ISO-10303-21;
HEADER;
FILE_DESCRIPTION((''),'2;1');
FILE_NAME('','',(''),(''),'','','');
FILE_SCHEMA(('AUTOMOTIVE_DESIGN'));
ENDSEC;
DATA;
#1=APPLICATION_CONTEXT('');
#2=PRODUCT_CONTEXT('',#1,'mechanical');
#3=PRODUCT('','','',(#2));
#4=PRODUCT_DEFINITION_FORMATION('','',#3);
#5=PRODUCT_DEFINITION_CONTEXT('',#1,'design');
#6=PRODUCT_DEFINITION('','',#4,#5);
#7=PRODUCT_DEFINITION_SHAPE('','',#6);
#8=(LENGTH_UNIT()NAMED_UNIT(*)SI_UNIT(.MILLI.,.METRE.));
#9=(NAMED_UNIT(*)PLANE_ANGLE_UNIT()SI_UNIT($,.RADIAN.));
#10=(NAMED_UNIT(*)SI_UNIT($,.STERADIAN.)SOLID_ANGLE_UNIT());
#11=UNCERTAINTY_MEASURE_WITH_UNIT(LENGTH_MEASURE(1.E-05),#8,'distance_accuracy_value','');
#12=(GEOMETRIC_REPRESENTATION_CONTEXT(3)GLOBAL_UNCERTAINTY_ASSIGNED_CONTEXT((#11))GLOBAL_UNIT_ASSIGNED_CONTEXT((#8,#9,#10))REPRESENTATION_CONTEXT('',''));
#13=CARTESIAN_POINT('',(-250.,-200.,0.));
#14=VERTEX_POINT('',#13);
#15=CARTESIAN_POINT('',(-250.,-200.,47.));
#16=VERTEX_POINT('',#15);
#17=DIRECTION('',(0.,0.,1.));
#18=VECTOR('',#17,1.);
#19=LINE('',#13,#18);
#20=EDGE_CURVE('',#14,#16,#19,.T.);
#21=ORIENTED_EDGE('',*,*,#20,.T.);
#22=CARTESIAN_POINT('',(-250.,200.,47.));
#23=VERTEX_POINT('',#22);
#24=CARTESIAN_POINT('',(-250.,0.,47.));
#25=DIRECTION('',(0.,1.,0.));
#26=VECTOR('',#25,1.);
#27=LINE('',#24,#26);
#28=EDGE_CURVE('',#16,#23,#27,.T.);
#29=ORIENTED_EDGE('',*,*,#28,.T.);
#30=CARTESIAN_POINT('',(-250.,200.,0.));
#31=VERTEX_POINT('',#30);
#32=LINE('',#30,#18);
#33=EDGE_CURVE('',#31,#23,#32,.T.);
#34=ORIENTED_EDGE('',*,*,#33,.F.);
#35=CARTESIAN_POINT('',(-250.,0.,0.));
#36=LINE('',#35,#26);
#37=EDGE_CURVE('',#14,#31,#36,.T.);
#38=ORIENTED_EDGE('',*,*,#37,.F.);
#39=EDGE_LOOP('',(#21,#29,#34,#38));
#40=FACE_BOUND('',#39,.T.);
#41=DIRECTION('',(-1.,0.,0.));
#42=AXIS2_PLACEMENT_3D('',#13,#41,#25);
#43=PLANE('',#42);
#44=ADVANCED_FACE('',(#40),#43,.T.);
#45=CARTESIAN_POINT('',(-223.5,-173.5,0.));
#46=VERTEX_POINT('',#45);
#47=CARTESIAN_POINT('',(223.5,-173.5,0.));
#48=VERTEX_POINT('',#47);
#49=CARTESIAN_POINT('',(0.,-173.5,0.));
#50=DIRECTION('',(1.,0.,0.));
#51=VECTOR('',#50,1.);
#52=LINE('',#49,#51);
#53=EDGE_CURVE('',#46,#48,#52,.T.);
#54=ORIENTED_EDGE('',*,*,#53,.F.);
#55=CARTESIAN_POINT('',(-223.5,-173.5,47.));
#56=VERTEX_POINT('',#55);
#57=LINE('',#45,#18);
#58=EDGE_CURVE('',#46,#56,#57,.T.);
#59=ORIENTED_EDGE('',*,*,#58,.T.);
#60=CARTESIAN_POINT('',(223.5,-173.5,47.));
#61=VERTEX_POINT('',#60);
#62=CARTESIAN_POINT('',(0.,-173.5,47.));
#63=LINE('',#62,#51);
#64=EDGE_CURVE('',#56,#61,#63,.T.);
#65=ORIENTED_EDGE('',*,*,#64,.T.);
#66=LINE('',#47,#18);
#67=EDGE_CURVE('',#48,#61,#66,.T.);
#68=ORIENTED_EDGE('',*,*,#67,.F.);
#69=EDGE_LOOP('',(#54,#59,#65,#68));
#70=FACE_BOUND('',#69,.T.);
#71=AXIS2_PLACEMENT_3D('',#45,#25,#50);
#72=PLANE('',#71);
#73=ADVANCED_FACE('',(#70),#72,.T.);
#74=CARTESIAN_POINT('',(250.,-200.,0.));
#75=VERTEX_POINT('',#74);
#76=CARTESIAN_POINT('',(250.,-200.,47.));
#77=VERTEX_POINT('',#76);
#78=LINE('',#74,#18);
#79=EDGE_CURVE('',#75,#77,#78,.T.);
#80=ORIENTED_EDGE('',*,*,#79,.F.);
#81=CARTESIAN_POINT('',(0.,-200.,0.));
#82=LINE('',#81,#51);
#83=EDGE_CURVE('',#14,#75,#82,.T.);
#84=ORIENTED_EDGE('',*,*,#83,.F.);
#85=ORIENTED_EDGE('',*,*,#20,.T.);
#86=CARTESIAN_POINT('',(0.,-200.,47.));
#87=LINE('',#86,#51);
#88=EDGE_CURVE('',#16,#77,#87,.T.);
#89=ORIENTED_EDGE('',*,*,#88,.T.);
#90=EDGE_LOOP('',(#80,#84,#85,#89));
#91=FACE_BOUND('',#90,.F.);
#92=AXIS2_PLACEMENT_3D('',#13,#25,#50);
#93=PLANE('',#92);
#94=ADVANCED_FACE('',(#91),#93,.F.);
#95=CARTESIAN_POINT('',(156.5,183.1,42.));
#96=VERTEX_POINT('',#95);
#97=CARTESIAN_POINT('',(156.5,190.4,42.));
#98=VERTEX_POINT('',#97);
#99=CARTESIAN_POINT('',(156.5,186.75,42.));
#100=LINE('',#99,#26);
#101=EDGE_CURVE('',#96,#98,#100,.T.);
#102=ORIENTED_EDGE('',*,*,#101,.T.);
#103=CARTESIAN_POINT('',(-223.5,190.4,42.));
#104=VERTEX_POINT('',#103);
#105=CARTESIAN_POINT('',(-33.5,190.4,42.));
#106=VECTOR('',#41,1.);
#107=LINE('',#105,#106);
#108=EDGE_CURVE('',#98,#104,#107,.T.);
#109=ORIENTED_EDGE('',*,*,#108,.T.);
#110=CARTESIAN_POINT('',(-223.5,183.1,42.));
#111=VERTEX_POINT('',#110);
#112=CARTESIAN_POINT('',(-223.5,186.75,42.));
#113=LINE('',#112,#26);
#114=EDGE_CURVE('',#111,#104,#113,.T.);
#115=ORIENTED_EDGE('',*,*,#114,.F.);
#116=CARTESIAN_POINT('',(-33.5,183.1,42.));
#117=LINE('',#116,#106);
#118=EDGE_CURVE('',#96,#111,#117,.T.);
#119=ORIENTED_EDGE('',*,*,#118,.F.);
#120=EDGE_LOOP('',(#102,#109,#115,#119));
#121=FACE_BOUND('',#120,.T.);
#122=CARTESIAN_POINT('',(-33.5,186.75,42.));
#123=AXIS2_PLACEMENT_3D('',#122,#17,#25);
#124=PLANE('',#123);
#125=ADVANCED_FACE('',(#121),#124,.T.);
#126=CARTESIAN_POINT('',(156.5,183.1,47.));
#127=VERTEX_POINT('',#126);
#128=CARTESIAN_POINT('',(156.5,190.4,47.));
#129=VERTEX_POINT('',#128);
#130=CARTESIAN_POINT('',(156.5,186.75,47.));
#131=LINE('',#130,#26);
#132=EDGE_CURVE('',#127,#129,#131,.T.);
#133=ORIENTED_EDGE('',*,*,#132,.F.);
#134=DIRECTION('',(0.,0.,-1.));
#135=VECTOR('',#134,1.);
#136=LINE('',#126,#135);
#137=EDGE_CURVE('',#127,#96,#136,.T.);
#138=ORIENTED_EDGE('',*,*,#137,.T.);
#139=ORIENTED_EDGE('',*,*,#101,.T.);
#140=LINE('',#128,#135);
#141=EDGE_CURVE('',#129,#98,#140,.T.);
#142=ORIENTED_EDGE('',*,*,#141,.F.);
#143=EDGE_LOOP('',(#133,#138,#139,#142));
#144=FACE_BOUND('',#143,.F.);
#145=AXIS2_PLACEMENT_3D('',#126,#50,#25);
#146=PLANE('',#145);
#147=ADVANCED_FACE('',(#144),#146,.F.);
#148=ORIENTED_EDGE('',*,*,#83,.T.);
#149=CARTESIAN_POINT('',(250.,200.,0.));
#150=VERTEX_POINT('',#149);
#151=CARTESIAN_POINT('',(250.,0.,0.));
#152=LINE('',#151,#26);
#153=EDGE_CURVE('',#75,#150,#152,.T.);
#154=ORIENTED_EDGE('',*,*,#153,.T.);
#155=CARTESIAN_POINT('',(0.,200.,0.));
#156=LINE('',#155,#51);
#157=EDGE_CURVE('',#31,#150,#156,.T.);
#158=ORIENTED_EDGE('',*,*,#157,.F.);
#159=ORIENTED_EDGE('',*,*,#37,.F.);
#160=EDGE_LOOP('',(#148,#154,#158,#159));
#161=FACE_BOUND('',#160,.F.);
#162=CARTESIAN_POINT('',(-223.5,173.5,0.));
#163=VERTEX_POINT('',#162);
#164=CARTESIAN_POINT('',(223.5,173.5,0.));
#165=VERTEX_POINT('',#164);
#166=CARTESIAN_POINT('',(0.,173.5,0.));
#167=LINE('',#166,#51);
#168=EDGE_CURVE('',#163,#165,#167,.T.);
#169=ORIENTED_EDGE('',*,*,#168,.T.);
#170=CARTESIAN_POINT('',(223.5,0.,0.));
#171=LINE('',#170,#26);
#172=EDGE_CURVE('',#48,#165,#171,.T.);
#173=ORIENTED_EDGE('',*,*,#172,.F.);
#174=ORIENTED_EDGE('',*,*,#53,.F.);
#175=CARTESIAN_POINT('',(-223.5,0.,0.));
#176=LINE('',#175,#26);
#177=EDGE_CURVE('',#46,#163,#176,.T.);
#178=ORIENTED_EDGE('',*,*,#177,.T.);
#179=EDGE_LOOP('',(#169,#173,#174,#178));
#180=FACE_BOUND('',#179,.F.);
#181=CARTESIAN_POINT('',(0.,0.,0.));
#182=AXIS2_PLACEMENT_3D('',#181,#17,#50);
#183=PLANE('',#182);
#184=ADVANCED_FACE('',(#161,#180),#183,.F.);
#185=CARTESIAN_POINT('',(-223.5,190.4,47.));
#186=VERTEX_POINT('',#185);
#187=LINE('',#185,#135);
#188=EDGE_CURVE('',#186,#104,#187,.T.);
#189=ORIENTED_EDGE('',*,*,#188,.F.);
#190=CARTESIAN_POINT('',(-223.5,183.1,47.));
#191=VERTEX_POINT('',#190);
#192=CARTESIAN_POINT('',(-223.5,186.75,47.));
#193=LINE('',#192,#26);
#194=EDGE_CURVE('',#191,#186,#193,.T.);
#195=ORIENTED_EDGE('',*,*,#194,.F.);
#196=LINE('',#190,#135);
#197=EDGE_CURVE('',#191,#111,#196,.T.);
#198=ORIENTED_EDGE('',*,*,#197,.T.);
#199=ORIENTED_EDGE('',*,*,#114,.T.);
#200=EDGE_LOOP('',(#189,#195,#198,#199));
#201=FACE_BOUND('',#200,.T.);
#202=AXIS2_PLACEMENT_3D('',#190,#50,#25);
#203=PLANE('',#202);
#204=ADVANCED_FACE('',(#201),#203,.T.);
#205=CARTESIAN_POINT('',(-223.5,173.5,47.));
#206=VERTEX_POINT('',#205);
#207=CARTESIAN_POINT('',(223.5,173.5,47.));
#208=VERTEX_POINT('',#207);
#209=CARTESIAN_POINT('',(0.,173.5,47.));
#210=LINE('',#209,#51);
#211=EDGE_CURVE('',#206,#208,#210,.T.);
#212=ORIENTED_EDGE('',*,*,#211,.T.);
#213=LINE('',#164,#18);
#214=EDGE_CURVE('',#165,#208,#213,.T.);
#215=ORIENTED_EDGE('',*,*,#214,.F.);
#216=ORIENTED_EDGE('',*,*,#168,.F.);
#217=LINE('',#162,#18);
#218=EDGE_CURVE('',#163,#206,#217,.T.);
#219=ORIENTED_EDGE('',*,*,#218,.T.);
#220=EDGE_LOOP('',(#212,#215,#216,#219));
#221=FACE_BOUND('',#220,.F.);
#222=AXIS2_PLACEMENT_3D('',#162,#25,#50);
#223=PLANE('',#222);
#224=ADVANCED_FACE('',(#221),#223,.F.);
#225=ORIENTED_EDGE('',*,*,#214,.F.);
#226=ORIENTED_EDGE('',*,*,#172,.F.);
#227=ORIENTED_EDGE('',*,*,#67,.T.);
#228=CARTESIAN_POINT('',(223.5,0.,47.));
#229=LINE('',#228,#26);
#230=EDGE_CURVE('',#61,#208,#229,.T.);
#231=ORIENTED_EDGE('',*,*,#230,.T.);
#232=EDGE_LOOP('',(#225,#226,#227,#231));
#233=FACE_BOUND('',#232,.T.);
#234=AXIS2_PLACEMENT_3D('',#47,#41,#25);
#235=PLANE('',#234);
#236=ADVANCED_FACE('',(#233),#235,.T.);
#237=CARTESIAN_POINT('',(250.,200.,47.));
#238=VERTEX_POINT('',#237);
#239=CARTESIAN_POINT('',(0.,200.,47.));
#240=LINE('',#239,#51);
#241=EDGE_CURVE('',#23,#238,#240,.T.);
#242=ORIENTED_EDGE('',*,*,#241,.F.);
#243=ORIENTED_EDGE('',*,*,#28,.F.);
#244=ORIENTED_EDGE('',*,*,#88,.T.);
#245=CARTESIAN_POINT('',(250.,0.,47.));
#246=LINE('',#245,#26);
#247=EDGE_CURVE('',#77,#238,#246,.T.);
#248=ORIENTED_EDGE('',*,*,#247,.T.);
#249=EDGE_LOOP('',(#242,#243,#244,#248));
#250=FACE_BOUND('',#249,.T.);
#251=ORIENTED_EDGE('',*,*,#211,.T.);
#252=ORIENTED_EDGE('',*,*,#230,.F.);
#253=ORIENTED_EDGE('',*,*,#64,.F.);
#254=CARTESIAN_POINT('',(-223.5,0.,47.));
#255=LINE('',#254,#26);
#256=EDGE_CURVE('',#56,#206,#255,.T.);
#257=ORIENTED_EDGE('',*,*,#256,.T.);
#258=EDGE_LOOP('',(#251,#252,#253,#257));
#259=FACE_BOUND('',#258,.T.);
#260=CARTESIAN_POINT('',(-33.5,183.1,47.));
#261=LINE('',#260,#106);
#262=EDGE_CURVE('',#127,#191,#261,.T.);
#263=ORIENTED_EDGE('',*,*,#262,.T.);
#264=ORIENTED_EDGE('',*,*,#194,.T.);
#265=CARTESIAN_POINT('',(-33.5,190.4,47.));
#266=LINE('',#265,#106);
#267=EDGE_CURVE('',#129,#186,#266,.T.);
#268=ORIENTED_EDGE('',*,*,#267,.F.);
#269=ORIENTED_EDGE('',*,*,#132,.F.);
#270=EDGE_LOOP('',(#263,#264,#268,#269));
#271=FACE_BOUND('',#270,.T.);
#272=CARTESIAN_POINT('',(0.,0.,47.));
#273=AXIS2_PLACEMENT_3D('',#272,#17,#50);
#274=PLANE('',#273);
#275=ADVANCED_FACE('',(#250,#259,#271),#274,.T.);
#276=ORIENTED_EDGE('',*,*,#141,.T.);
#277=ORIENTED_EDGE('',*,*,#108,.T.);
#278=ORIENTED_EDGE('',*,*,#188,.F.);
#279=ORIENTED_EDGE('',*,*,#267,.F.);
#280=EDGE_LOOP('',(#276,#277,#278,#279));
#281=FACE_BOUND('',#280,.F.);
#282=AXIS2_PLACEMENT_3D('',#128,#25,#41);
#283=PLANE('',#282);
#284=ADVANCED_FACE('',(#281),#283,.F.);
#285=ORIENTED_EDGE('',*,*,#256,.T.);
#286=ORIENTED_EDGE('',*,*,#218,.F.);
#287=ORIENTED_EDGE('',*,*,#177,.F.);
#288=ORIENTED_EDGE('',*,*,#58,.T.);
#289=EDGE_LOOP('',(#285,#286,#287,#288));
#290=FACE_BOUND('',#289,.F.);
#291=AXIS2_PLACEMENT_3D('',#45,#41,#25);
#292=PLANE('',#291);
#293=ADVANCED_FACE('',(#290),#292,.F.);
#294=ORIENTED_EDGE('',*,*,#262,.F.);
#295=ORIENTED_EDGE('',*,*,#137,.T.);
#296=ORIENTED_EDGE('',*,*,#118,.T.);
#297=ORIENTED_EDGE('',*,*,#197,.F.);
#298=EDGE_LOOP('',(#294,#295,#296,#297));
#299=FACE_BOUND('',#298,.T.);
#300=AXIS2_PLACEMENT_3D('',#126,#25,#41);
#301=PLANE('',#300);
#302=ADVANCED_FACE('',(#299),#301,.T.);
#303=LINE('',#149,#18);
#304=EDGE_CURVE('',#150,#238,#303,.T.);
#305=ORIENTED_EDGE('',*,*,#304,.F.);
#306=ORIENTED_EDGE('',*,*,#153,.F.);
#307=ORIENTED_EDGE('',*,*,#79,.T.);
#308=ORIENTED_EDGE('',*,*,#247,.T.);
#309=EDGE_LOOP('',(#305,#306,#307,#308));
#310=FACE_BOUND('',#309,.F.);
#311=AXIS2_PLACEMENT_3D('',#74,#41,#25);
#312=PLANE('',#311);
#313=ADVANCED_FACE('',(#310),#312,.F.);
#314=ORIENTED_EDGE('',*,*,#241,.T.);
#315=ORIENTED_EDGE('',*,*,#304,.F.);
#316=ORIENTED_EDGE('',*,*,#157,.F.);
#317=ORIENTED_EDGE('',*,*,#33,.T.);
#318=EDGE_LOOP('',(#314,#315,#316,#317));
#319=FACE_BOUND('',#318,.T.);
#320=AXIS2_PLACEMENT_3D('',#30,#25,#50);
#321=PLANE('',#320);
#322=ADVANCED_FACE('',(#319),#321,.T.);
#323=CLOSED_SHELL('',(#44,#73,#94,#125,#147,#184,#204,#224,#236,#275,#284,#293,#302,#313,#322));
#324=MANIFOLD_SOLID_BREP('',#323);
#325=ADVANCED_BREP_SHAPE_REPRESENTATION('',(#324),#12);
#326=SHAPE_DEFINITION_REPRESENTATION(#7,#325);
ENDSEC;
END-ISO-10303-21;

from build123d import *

# Parameters (mm, degrees)
SKETCH007_W     = 500
SKETCH007_H     = 400
SKETCH007_W_2   = 447
SKETCH007_H_2   = 347
PAD002_DEPTH    = 47
PAD003_DEPTH    = 380
PAD003_FACE11_W = 7.3
PAD003_FACE11_H = 380
POCKET002_DEPTH = 5


with BuildPart() as part:
    # Sketch007 → Pad002 (new body)
    with BuildSketch(Plane.XY):
        Rectangle(SKETCH007_W, SKETCH007_H)
        Rectangle(SKETCH007_W_2, SKETCH007_H_2, mode=Mode.SUBTRACT)
    extrude(amount=PAD002_DEPTH)

    # Sketch008 (on Face5 of Pad002) → Pad003 (join)
    with BuildSketch(Plane.YZ.offset(-223.5)):
        Polygon((183.1, 42), (183.1, 47), (190.4, 47), (190.4, 42), (189.4, 42), (189.4, 46), (184.1, 46), (184.1, 42), align=None)
    extrude(amount=PAD003_DEPTH)

    # Pad003 Face11 → Pocket002 (cut)
    with BuildSketch(Plane(origin=(-33.5, 186.75, 47), x_dir=(0, 1, 0), z_dir=(0, 0, 1))):
        Rectangle(PAD003_FACE11_W, PAD003_FACE11_H)
    extrude(amount=-POCKET002_DEPTH, mode=Mode.SUBTRACT)


solid = part.part
